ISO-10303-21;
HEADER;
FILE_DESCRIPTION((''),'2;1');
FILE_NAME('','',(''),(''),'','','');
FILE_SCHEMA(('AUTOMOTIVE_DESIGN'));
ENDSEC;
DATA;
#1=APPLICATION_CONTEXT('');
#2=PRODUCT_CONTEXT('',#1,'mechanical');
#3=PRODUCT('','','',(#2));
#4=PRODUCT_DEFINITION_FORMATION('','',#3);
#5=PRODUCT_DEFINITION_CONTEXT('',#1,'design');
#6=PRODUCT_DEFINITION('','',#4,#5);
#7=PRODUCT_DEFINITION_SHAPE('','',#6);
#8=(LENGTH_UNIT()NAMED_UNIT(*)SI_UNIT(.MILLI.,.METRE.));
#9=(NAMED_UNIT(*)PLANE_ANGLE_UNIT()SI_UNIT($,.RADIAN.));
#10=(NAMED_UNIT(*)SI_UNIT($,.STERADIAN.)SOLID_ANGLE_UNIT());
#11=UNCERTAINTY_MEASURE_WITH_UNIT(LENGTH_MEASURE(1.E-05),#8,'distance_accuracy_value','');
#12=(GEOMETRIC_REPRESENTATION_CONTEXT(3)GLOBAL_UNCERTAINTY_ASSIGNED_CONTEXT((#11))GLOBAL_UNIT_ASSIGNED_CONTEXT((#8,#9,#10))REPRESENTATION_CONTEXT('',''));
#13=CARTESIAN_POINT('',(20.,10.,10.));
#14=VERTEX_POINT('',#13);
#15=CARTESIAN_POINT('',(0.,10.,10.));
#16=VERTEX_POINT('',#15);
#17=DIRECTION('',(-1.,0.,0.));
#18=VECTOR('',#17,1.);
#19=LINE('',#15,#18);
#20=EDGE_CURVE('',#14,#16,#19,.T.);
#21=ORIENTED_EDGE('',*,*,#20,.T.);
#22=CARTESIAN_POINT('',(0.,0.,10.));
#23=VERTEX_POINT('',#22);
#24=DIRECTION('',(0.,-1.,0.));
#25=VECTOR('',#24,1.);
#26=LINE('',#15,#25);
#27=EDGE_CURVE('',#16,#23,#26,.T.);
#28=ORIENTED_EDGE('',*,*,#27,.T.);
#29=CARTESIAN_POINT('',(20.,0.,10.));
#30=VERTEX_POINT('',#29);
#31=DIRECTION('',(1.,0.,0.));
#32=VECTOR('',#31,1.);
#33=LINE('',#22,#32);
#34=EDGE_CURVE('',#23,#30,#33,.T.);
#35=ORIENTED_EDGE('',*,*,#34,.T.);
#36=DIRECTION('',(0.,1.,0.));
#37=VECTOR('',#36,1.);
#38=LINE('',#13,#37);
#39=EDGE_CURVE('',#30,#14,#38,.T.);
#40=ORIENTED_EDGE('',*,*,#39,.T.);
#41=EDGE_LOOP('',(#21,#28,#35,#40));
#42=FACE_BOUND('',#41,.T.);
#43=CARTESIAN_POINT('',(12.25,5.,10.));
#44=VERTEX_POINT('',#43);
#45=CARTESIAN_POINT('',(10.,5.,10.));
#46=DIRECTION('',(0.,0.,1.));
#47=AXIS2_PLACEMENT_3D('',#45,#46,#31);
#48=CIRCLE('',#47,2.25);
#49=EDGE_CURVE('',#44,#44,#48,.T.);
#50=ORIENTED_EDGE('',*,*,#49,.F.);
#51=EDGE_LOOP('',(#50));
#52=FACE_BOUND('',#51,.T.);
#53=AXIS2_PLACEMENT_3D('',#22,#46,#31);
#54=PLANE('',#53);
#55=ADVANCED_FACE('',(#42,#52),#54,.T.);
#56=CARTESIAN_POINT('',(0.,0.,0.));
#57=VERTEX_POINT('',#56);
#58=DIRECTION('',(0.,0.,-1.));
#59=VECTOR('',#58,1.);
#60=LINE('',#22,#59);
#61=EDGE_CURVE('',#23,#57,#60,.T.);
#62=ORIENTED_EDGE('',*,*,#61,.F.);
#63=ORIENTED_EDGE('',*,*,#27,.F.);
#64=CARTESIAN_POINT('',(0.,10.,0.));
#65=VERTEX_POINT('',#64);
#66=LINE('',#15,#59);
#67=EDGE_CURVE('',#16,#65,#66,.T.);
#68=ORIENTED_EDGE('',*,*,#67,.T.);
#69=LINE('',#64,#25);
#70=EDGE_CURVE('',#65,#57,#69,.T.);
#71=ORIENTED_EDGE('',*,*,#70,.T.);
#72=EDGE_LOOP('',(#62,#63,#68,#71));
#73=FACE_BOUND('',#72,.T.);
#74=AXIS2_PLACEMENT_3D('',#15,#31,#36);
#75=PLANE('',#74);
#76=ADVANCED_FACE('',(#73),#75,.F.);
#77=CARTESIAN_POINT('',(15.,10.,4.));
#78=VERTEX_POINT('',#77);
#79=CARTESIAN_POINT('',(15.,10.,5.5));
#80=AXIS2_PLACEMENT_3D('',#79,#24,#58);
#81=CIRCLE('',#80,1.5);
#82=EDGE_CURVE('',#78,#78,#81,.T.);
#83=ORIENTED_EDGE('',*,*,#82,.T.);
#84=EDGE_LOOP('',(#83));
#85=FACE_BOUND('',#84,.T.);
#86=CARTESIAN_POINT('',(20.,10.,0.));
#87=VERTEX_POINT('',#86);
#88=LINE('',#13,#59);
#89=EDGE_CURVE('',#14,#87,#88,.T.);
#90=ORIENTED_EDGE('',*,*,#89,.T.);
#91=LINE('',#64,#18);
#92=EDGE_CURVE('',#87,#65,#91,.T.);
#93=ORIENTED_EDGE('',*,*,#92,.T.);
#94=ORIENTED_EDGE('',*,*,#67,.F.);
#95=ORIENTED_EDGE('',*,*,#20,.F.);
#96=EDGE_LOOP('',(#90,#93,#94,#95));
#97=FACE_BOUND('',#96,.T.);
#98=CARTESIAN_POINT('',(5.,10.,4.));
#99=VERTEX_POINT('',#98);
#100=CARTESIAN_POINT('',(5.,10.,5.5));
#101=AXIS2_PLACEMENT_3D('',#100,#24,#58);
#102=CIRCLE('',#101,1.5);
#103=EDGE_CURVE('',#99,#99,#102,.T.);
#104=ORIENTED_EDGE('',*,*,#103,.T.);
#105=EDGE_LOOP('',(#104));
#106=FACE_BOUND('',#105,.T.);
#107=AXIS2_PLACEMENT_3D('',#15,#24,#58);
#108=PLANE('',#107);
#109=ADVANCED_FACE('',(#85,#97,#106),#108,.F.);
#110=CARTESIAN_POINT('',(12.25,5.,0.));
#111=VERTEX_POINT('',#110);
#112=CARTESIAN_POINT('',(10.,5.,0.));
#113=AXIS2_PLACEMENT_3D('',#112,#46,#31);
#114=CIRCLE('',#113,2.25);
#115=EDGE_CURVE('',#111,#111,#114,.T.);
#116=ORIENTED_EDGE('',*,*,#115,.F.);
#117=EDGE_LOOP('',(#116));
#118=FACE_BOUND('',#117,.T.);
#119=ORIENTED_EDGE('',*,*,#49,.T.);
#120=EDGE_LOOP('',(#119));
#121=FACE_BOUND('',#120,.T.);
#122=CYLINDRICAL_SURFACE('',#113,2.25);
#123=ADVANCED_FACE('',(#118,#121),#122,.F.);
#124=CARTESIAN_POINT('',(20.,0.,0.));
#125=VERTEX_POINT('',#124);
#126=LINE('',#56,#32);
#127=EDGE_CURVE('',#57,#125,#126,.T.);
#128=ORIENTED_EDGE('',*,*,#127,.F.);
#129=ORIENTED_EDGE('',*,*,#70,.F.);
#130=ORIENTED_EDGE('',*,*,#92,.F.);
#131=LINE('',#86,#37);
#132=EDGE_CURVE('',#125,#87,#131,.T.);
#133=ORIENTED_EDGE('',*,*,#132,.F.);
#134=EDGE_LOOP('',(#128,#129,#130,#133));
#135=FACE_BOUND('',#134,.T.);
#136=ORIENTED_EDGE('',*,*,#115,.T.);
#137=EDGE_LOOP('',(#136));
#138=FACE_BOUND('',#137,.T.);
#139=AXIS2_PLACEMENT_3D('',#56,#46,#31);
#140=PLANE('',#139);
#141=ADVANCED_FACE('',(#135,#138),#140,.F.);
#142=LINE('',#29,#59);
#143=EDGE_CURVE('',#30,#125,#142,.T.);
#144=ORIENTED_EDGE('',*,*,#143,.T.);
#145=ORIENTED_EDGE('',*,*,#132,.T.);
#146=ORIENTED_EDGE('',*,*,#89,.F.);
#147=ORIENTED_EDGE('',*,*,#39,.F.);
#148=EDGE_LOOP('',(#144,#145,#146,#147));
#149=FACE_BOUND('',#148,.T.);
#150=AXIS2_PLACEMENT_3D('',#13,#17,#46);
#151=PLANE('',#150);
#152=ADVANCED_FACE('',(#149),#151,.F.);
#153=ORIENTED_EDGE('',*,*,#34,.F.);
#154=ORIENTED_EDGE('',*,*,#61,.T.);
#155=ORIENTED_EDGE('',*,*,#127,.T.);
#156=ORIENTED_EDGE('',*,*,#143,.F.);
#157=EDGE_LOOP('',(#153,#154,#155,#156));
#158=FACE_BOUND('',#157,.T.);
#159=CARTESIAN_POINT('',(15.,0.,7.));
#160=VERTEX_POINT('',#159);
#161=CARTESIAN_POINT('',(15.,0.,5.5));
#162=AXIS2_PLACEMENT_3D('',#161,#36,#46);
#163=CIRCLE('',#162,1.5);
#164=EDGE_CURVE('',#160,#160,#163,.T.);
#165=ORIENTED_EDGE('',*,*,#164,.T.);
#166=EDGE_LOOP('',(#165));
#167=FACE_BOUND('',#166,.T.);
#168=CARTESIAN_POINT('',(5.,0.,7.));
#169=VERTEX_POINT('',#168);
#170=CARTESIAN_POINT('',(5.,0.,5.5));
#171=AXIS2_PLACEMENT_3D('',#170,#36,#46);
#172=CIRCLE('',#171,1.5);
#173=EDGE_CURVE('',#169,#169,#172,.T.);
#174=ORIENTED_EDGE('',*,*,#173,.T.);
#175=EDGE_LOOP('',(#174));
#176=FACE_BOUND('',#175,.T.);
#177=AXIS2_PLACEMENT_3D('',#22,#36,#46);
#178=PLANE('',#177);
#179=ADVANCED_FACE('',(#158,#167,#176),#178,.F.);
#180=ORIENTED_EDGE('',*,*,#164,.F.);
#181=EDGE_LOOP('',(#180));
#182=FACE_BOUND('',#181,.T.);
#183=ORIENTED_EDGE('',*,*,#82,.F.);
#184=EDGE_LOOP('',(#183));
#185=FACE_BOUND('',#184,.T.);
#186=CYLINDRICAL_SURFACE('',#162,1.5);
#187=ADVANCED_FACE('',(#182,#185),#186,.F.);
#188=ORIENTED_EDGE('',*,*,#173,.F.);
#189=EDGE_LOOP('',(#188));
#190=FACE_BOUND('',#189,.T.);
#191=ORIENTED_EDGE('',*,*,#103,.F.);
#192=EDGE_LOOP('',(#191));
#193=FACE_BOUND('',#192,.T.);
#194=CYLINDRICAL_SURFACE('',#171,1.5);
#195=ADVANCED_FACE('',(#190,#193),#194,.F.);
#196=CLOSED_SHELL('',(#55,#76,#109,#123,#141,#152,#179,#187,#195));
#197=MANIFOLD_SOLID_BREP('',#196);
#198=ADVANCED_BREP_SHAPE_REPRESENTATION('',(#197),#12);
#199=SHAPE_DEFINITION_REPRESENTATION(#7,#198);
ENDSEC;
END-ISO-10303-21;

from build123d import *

# Parameters (mm, degrees)
ESQUISSE1_W                  = 20
ESQUISSE1_H                  = 10
BOSS_EXTRU_1_DEPTH           = 10
ESQUISSE2_R                  = 2.25
ENL_V_MAT_EXTRU_1_DEPTH      = 11
ESQUISSE3_R                  = 1.5
ENL_V_MAT_EXTRU_2_DEPTH      = 1
ENL_V_MAT_EXTRU_2_DEPTH_BACK = 11


with BuildPart() as part:
    # Esquisse1 → Boss.-Extru.1 (new body)
    with BuildSketch(Plane.XY):
        with Locations((10, 5)):
            Rectangle(ESQUISSE1_W, ESQUISSE1_H)
    extrude(amount=BOSS_EXTRU_1_DEPTH)

    # Esquisse2 → Enlèv. mat.-Extru.1 (cut, through all)
    with BuildSketch(Plane.XY.offset(10)):
        with Locations((10, 5)):
            Circle(ESQUISSE2_R)
    extrude(amount=-ENL_V_MAT_EXTRU_1_DEPTH, mode=Mode.SUBTRACT)

    # Esquisse3 → Enlèv. mat.-Extru.2 (cut, two sides)
    with BuildSketch(Plane(origin=(0, 10, 0), x_dir=(1, 0, 0), z_dir=(0, 1, 0))) as enl_v_mat_extru_2_sk:
        with Locations((5, -5.5)):
            Circle(ESQUISSE3_R)
        with Locations((15, -5.5)):
            Circle(ESQUISSE3_R)
    extrude(amount=ENL_V_MAT_EXTRU_2_DEPTH, mode=Mode.SUBTRACT)
    extrude(enl_v_mat_extru_2_sk.sketch, amount=-ENL_V_MAT_EXTRU_2_DEPTH_BACK, mode=Mode.SUBTRACT)


solid = part.part
